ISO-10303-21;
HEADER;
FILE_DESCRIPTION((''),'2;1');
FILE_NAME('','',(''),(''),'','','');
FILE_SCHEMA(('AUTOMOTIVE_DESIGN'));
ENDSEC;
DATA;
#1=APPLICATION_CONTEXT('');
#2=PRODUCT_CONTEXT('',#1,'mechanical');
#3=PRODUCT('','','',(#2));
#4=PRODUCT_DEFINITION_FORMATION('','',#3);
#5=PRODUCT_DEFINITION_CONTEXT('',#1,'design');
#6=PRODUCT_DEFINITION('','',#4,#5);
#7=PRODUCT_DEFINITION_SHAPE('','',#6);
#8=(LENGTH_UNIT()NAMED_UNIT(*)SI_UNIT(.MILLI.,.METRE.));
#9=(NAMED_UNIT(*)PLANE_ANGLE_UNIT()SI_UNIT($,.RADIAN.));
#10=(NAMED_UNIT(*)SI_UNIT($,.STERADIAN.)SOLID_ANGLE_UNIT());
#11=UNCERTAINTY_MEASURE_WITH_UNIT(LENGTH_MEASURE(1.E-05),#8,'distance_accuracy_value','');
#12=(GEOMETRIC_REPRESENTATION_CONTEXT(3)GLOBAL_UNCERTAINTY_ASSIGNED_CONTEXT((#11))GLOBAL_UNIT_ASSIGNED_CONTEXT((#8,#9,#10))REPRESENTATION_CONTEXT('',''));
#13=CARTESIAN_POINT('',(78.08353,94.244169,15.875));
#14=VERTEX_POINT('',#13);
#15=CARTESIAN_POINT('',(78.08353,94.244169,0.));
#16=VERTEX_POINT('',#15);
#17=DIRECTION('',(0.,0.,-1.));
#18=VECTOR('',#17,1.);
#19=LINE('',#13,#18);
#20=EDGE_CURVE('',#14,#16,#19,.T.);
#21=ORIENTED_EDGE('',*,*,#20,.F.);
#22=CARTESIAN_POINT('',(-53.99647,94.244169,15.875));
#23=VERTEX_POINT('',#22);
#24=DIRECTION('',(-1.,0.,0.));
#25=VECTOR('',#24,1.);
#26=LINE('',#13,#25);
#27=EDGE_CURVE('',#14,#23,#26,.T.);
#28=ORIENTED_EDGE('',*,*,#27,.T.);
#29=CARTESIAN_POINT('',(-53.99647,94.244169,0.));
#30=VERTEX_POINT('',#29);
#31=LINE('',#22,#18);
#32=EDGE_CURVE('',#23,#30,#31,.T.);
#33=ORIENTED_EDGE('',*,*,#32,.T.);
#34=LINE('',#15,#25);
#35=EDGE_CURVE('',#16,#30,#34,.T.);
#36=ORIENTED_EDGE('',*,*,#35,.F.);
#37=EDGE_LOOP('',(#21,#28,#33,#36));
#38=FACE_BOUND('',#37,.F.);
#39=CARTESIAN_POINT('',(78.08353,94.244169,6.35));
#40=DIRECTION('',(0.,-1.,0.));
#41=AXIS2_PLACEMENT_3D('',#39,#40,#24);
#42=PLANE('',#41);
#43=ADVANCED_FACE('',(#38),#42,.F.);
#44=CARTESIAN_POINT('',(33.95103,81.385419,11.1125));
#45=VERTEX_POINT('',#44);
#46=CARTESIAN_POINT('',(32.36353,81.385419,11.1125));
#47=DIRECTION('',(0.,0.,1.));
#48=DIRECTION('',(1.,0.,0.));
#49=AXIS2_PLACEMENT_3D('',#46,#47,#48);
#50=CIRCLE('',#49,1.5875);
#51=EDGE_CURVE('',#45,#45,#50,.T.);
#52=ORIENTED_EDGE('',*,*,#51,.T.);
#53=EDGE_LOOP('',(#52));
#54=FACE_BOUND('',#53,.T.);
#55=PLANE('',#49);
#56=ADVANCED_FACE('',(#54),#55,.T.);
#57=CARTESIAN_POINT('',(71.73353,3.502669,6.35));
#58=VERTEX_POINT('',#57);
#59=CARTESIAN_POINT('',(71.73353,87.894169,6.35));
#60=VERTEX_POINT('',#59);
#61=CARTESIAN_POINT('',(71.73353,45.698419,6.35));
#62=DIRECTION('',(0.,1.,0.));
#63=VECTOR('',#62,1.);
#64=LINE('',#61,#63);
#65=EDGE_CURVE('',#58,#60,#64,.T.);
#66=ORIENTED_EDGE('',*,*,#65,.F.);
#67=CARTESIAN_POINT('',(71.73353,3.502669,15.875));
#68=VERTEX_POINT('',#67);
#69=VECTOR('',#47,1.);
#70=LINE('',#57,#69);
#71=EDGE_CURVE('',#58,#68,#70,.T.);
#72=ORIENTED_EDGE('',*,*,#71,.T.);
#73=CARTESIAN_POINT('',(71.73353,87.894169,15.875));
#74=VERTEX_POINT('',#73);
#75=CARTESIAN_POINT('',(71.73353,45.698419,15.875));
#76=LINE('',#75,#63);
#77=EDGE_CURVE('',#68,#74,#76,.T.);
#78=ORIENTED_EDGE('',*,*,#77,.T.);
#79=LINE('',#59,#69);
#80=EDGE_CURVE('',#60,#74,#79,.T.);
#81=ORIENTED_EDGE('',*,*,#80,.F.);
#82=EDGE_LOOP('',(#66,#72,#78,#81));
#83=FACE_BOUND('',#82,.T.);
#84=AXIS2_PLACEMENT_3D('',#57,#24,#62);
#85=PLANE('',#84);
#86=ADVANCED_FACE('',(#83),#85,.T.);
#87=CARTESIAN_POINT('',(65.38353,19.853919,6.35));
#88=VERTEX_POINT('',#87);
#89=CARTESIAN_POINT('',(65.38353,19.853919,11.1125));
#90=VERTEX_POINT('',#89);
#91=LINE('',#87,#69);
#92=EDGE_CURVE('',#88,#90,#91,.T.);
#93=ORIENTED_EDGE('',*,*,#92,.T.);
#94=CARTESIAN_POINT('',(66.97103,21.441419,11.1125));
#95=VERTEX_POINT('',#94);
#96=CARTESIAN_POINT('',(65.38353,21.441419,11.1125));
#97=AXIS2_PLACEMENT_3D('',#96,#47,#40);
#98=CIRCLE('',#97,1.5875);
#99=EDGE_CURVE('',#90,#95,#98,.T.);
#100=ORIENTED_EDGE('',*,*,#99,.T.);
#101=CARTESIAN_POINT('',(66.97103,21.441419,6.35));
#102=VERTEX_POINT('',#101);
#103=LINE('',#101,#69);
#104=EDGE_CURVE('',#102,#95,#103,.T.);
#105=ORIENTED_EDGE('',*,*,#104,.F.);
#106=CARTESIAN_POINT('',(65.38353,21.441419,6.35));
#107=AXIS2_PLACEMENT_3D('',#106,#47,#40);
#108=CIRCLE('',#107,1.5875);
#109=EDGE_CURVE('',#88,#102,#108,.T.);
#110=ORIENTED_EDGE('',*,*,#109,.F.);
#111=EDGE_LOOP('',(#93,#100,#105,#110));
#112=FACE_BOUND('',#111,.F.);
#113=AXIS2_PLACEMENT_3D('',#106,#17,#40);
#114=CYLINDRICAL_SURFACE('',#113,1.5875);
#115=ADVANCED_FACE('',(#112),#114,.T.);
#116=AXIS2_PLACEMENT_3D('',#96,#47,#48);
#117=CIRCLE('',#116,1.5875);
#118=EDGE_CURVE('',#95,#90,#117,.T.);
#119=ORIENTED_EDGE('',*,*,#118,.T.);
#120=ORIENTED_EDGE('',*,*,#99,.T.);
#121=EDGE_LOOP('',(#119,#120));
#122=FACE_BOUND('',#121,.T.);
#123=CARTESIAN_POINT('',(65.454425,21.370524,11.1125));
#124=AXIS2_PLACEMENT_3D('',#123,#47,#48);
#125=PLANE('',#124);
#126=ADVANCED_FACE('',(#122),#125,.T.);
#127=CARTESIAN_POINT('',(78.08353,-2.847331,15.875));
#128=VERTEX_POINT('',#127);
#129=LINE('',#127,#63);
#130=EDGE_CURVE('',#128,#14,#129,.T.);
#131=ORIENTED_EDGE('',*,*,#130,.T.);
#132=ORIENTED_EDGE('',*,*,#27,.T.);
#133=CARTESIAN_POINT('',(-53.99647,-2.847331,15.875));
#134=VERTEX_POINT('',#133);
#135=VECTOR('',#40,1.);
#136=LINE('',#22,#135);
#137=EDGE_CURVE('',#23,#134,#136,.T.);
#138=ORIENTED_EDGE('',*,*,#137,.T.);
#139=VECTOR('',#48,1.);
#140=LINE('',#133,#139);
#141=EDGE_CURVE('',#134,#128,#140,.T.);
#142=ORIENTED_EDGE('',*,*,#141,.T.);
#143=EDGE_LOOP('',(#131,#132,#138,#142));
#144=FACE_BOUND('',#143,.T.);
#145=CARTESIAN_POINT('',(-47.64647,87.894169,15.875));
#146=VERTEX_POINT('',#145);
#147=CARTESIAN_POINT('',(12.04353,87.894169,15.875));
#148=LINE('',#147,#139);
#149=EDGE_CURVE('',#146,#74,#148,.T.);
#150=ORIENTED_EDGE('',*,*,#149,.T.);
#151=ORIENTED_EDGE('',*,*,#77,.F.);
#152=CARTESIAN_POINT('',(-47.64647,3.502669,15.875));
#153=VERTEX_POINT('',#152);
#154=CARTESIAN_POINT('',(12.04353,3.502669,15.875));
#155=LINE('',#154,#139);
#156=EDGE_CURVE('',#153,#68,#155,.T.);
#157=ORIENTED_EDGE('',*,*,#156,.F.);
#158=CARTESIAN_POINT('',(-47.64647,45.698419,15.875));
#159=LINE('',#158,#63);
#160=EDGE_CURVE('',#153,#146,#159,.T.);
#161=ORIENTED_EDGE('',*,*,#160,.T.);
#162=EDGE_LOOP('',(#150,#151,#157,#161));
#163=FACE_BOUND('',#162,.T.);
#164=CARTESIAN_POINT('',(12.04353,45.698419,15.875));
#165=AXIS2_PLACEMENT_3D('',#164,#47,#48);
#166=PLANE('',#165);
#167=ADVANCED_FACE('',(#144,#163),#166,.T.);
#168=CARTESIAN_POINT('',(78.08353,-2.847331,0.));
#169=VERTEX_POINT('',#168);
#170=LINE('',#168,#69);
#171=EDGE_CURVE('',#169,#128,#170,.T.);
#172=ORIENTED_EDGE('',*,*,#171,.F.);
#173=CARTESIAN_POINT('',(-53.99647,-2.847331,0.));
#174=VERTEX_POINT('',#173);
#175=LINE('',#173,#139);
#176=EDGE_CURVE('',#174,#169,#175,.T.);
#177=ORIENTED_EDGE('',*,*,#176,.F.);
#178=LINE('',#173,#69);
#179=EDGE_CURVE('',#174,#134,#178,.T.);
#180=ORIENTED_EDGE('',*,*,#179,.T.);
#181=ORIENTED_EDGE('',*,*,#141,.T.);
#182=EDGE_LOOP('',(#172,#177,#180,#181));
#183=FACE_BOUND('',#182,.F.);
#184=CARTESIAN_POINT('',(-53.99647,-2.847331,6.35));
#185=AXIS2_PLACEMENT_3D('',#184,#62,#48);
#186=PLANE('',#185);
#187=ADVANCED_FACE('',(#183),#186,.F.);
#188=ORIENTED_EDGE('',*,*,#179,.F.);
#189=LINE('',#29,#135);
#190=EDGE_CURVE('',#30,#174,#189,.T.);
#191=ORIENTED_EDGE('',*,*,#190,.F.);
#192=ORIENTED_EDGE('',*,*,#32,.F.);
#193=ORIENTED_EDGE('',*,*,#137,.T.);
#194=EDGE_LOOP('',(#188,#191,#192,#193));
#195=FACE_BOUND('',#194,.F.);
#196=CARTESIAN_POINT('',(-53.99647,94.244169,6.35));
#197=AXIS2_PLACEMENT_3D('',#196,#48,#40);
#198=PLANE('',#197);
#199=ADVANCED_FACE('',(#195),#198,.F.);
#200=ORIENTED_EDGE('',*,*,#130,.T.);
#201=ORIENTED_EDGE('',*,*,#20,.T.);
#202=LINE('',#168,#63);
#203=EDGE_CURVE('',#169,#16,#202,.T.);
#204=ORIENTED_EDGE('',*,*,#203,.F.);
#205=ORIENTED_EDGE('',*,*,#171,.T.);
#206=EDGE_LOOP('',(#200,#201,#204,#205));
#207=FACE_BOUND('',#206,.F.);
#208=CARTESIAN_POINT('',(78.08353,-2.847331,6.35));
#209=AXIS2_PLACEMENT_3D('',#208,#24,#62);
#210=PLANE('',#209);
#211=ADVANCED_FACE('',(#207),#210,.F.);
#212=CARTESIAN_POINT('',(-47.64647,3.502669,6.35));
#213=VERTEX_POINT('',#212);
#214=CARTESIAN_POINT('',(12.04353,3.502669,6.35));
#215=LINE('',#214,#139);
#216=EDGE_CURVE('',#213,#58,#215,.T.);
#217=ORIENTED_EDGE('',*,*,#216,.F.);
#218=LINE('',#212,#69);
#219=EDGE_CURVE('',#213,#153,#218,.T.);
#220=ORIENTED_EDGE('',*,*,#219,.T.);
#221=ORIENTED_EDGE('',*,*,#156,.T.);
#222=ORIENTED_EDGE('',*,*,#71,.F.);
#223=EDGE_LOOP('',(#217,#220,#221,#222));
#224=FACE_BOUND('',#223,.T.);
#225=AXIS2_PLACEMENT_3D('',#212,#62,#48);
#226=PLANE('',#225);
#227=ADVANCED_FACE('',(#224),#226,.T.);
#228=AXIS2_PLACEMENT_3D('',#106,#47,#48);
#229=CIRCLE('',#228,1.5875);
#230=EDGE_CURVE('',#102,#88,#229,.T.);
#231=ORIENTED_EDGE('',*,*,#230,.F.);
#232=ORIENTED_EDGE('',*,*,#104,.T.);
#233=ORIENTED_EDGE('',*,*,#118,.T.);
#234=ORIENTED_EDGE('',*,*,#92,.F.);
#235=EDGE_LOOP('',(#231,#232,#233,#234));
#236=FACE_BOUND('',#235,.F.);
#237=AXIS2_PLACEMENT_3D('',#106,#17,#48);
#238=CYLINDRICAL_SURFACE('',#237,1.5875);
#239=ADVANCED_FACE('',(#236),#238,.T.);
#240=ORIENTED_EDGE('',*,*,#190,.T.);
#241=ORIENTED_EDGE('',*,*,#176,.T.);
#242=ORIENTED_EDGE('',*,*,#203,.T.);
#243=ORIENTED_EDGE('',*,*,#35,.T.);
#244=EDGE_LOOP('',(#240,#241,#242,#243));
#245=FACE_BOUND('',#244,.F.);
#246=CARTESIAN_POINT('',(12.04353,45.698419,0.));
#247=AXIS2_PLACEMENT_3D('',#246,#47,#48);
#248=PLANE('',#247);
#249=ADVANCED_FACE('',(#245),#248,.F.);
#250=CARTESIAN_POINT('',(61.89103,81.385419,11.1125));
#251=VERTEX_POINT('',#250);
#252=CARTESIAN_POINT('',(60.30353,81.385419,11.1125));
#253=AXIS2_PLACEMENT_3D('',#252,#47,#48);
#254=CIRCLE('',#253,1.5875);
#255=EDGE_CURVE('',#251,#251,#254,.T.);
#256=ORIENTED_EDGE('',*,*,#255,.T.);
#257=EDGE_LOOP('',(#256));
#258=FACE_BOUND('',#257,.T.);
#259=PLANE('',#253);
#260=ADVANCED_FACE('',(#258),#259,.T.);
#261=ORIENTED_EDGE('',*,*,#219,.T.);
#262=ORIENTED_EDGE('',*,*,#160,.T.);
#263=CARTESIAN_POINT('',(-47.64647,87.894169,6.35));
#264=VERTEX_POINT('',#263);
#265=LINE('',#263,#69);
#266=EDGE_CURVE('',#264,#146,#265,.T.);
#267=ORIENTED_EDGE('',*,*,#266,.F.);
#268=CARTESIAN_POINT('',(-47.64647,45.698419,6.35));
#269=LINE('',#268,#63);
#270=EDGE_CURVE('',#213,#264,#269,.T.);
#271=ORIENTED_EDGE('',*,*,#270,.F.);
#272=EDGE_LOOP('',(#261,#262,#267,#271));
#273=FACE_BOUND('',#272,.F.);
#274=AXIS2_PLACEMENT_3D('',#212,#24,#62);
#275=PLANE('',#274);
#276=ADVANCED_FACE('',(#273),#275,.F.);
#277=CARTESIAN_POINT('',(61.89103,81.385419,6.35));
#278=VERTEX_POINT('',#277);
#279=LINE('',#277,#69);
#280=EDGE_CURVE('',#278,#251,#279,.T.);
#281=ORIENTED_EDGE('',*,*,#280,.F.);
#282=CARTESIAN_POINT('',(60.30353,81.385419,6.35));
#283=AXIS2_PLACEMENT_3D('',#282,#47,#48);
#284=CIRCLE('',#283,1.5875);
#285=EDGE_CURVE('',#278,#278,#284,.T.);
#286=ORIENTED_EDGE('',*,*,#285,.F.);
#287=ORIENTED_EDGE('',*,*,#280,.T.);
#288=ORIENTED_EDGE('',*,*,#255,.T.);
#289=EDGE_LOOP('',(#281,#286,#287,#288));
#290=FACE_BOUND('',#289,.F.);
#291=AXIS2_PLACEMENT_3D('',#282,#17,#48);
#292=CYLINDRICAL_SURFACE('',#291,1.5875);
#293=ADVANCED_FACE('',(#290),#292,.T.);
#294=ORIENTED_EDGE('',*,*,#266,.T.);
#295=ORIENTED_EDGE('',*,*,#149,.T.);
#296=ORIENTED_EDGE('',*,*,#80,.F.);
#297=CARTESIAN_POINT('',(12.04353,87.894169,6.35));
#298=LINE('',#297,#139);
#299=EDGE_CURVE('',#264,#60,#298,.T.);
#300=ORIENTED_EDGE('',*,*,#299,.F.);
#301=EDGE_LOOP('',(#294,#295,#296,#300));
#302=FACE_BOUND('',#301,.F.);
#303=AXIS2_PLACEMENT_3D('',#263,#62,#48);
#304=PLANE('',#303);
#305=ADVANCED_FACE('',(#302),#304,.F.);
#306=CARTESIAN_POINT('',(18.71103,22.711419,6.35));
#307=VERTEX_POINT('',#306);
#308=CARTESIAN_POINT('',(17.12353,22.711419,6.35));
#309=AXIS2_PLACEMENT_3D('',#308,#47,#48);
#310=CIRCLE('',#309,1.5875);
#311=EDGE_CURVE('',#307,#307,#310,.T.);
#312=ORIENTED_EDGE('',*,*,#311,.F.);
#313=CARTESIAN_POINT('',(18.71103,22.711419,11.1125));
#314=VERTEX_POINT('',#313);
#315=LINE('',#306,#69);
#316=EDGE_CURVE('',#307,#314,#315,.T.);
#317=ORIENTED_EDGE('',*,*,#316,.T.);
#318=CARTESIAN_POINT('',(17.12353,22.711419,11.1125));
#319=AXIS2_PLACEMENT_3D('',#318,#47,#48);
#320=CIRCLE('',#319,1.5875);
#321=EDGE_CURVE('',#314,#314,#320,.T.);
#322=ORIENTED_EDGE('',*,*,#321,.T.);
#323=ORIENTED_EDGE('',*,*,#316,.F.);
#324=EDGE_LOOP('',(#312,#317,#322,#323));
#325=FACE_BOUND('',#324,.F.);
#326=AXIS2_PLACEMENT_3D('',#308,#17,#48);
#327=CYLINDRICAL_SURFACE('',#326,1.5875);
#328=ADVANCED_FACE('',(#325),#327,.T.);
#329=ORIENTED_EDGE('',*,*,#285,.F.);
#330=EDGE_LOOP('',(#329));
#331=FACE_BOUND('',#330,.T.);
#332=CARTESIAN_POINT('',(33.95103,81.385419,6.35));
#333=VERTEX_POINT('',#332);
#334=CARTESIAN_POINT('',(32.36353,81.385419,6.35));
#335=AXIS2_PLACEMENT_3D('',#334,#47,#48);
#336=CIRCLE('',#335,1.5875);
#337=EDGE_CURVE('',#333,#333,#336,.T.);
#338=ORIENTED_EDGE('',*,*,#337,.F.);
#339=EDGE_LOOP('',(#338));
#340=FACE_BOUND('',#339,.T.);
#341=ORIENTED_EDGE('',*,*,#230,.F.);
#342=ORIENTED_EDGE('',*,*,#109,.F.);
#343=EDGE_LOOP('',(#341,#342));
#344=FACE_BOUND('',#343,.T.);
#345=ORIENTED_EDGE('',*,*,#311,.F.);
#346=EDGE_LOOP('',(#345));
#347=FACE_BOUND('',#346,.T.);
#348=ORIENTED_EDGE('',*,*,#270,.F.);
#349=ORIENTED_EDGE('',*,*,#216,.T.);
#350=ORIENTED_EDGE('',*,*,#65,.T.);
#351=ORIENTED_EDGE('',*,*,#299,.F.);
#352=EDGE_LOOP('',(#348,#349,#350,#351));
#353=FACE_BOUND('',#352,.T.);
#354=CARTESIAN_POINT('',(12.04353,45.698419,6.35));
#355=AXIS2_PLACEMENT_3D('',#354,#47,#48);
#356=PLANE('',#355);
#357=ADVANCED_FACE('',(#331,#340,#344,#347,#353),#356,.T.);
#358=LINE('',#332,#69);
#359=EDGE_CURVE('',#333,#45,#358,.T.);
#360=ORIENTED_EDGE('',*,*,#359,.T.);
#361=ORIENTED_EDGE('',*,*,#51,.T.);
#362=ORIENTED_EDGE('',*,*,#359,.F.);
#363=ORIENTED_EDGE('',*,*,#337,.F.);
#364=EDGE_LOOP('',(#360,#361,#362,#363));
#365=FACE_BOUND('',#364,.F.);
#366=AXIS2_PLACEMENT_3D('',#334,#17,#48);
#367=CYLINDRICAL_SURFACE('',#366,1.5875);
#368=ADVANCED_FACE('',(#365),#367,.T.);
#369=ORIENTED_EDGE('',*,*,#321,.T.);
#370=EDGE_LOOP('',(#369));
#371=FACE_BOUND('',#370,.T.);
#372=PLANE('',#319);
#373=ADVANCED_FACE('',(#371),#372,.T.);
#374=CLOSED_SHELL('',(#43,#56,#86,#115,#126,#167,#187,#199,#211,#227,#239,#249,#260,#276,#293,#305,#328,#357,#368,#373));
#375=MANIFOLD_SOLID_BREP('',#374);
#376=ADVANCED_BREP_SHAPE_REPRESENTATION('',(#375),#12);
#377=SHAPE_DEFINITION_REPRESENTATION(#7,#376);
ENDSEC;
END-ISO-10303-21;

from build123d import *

# Parameters (mm, degrees)
F0_W     = 119.38
F0_H     = 84.3915
F1_DEPTH = 6.35
F2_W     = 119.38
F2_H     = 84.3915
F3_DEPTH = 9.525
F4_R     = 1.5875
F5_DEPTH = 4.7625


with BuildPart() as f1:
    # F0 (on Top) → F1 (new body)
    with BuildSketch(Plane.XY):
        Polygon((-47.6464699149, 94.2441691224), (-53.9964699149, 94.2441691224), (-53.9964699149, -2.8473308776), (78.0835300851, -2.8473308776), (78.0835300851, 0), (78.0835300851, 94.2441691224), align=None)
        with Locations((12.0435300851, 45.6984191224)):
            Rectangle(F0_W, F0_H, mode=Mode.SUBTRACT)
        with Locations((12.0435300851, 45.6984191224)):
            Rectangle(F0_W, F0_H)
    extrude(amount=F1_DEPTH)

    # F2 (on face) → F3 (join)
    with BuildSketch(Plane.XY.offset(6.35)):
        Polygon((71.7335300851, 94.2441691224), (-53.9964699149, 94.2441691224), (-53.9964699149, 87.8941691224), (-53.9964699149, -2.8473308776), (-47.6464699149, -2.8473308776), (78.0835300851, -2.8473308776), (78.0835300851, 3.5026691224), (78.0835300851, 94.2441691224), align=None)
        with Locations((12.0435300851, 45.6984191224)):
            Rectangle(F2_W, F2_H, mode=Mode.SUBTRACT)
    extrude(amount=F3_DEPTH)

    # F4 (on face) → F5 (join)
    with BuildSketch(Plane.XY.offset(6.35)):
        with Locations((32.3635300851, 81.3854191224)):
            Circle(F4_R)
        with Locations((60.3035300851, 81.3854191224)):
            Circle(F4_R)
        with Locations((17.1235300851, 22.7114191224)):
            Circle(F4_R)
        with BuildLine():
            ThreePointArc((65.3835300851, 19.8539191224), (66.5060621002, 20.3188871073), (66.9710300851, 21.4414191224))
            ThreePointArc((66.9710300851, 21.4414191224), (64.26099807, 22.5639511376), (65.3835300851, 19.8539191224))
        make_face()
    extrude(amount=F5_DEPTH)


solid = f1.part
